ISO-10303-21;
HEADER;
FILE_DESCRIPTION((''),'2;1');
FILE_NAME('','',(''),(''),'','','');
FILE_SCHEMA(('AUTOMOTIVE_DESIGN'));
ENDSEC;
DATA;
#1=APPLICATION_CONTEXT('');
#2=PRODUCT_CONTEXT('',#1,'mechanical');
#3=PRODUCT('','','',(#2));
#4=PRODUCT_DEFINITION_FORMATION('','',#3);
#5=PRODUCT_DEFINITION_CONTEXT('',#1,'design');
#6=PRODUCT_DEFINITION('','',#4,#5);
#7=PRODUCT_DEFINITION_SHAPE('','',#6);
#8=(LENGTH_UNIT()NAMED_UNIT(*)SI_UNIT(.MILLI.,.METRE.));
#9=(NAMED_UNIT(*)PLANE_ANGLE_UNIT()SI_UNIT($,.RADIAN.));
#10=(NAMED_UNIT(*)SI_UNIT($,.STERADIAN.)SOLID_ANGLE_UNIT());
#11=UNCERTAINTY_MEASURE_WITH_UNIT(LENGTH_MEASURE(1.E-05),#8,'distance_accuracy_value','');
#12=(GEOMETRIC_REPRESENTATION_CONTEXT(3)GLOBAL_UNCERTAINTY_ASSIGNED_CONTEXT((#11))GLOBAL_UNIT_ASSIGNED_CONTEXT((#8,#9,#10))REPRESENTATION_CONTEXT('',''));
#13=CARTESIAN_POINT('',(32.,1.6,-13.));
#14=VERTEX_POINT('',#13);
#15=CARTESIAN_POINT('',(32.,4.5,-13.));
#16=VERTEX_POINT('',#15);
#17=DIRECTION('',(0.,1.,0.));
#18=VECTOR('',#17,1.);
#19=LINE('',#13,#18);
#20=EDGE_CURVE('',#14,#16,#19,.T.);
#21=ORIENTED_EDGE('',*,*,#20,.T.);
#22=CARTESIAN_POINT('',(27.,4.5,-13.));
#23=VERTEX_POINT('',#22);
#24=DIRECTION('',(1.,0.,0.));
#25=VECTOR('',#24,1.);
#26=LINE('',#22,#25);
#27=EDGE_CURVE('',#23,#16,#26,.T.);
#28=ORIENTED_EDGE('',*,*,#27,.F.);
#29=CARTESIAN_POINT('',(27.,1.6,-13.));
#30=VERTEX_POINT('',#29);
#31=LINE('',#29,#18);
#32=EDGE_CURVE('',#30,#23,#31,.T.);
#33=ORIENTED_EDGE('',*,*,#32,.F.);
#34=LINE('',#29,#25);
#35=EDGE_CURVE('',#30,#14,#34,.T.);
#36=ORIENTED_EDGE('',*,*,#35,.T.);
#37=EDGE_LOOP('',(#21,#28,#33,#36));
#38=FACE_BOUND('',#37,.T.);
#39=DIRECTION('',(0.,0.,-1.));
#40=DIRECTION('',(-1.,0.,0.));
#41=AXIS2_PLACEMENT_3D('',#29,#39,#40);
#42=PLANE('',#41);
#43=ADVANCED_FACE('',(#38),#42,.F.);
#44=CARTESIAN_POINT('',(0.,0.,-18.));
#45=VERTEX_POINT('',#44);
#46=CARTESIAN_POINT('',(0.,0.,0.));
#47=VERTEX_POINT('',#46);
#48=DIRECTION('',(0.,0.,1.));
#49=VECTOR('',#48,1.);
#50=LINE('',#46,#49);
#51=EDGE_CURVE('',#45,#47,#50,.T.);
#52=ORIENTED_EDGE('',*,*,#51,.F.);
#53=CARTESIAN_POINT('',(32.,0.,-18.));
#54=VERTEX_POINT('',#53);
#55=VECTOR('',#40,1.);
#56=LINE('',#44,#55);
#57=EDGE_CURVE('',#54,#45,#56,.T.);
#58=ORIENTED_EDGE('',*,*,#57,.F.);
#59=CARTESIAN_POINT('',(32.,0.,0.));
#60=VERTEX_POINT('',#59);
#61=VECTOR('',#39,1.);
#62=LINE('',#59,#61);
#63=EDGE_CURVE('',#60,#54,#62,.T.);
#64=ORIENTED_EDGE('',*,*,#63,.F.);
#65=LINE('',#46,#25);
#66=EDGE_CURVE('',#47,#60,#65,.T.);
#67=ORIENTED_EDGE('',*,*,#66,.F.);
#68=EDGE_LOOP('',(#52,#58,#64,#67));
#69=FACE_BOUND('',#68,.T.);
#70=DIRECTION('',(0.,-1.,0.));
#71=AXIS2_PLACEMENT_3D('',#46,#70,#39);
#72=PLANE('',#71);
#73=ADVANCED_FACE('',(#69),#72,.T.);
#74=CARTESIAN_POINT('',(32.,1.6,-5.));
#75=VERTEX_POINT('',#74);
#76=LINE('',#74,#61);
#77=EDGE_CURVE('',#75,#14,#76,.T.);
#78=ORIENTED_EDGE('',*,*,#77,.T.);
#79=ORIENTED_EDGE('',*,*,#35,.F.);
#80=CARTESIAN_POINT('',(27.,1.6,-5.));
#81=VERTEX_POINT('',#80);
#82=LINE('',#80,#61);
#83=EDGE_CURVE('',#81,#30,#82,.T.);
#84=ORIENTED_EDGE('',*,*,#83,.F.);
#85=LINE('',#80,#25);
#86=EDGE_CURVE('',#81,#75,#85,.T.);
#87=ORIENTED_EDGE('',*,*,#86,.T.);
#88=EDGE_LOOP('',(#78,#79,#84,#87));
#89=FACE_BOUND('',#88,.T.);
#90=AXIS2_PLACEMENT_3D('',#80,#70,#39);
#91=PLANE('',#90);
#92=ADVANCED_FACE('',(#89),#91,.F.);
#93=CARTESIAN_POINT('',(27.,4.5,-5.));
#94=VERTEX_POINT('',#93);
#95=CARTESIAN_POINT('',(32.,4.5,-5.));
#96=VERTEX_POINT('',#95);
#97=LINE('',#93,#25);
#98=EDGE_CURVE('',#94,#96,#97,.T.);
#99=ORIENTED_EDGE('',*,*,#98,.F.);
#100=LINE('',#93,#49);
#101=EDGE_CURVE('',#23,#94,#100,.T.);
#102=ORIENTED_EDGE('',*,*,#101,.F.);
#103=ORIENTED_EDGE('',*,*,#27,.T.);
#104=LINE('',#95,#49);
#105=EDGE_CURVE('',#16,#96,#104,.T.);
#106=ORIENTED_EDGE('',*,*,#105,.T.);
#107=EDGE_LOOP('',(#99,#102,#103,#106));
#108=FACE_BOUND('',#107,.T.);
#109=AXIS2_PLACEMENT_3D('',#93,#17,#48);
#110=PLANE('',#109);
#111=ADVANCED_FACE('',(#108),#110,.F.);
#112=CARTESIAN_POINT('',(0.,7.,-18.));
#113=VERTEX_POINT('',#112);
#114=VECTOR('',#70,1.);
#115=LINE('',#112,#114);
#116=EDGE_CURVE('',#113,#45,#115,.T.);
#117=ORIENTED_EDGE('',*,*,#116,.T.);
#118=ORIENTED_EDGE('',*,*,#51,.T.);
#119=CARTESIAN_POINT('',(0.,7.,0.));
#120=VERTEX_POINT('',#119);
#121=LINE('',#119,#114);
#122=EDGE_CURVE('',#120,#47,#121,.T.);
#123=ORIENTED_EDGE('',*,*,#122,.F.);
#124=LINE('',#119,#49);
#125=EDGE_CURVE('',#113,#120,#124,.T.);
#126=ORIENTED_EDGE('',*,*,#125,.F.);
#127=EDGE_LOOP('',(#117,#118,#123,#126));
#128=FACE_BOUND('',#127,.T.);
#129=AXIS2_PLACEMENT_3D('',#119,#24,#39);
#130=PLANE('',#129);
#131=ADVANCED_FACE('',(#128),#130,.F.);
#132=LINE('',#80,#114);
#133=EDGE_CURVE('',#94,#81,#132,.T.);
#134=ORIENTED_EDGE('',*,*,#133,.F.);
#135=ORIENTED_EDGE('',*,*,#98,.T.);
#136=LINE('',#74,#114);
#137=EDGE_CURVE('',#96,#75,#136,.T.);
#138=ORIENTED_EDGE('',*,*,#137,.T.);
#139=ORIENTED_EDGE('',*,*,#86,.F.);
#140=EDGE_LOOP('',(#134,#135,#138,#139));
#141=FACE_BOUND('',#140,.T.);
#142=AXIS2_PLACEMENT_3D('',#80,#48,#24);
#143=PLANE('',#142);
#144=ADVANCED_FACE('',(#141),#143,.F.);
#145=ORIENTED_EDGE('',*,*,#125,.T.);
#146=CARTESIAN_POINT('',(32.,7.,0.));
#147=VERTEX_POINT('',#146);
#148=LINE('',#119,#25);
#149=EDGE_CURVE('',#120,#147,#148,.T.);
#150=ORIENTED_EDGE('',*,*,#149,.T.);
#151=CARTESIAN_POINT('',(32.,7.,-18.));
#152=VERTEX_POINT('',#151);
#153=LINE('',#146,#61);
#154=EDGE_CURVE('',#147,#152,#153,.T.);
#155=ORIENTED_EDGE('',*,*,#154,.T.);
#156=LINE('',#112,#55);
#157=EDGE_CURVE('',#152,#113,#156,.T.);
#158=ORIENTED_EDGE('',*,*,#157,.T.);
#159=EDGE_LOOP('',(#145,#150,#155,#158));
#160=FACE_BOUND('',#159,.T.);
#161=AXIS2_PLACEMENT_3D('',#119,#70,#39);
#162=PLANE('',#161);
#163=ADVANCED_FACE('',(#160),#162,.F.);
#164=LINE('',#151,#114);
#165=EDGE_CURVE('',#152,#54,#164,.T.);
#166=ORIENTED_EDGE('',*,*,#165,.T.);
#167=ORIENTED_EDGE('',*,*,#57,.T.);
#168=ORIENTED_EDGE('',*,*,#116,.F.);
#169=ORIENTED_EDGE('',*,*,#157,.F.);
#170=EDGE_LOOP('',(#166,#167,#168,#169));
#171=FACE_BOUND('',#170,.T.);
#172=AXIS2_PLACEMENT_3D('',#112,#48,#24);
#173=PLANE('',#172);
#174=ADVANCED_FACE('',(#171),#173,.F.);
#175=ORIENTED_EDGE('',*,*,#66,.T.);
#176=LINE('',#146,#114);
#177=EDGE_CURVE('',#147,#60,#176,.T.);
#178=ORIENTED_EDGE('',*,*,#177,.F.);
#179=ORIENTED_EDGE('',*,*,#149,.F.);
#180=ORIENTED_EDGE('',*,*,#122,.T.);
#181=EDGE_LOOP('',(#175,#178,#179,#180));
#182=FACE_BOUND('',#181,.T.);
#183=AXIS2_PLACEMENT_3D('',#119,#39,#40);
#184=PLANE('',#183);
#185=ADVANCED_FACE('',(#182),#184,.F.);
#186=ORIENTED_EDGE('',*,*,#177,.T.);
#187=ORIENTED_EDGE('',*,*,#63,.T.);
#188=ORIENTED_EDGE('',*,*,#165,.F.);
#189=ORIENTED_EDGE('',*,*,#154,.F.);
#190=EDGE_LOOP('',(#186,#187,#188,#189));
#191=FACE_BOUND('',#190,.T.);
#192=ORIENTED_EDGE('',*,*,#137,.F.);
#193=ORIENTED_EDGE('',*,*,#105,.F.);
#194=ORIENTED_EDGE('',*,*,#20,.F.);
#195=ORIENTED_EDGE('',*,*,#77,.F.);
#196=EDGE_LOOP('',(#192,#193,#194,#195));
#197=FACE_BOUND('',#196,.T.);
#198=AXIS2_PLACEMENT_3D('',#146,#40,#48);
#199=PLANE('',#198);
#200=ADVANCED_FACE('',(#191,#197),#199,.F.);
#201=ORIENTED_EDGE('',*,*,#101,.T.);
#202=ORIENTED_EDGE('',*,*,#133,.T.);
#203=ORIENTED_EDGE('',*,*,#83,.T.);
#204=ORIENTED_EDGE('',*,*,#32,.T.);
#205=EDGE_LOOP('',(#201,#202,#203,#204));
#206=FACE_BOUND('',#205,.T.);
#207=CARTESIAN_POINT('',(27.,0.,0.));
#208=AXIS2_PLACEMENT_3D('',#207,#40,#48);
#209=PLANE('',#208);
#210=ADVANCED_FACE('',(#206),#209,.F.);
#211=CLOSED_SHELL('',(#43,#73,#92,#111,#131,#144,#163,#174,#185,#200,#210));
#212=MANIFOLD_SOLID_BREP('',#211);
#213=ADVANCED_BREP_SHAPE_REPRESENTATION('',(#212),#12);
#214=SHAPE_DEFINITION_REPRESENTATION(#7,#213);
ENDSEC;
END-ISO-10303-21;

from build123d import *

# Parameters (mm, degrees)
SKETCH1_W           = 32
SKETCH1_H           = 18
BOSS_EXTRUDE1_DEPTH = 7
SKETCH2_W           = 8
SKETCH2_H           = 2.9
CUT_EXTRUDE1_DEPTH  = 5


with BuildPart() as part:
    # Sketch1 → Boss-Extrude1 (new body)
    with BuildSketch(Plane(origin=(0, 0, 0), x_dir=(1, 0, 0), z_dir=(0, 1, 0))):
        with Locations((16, 9)):
            Rectangle(SKETCH1_W, SKETCH1_H)
    extrude(amount=BOSS_EXTRUDE1_DEPTH)

    # Sketch2 → Cut-Extrude1 (cut)
    with BuildSketch(Plane(origin=(32, 0, 0), x_dir=(0, 0, -1), z_dir=(1, 0, 0))):
        with Locations((9, 3.05)):
            Rectangle(SKETCH2_W, SKETCH2_H)
    extrude(amount=-CUT_EXTRUDE1_DEPTH, mode=Mode.SUBTRACT)


solid = part.part
